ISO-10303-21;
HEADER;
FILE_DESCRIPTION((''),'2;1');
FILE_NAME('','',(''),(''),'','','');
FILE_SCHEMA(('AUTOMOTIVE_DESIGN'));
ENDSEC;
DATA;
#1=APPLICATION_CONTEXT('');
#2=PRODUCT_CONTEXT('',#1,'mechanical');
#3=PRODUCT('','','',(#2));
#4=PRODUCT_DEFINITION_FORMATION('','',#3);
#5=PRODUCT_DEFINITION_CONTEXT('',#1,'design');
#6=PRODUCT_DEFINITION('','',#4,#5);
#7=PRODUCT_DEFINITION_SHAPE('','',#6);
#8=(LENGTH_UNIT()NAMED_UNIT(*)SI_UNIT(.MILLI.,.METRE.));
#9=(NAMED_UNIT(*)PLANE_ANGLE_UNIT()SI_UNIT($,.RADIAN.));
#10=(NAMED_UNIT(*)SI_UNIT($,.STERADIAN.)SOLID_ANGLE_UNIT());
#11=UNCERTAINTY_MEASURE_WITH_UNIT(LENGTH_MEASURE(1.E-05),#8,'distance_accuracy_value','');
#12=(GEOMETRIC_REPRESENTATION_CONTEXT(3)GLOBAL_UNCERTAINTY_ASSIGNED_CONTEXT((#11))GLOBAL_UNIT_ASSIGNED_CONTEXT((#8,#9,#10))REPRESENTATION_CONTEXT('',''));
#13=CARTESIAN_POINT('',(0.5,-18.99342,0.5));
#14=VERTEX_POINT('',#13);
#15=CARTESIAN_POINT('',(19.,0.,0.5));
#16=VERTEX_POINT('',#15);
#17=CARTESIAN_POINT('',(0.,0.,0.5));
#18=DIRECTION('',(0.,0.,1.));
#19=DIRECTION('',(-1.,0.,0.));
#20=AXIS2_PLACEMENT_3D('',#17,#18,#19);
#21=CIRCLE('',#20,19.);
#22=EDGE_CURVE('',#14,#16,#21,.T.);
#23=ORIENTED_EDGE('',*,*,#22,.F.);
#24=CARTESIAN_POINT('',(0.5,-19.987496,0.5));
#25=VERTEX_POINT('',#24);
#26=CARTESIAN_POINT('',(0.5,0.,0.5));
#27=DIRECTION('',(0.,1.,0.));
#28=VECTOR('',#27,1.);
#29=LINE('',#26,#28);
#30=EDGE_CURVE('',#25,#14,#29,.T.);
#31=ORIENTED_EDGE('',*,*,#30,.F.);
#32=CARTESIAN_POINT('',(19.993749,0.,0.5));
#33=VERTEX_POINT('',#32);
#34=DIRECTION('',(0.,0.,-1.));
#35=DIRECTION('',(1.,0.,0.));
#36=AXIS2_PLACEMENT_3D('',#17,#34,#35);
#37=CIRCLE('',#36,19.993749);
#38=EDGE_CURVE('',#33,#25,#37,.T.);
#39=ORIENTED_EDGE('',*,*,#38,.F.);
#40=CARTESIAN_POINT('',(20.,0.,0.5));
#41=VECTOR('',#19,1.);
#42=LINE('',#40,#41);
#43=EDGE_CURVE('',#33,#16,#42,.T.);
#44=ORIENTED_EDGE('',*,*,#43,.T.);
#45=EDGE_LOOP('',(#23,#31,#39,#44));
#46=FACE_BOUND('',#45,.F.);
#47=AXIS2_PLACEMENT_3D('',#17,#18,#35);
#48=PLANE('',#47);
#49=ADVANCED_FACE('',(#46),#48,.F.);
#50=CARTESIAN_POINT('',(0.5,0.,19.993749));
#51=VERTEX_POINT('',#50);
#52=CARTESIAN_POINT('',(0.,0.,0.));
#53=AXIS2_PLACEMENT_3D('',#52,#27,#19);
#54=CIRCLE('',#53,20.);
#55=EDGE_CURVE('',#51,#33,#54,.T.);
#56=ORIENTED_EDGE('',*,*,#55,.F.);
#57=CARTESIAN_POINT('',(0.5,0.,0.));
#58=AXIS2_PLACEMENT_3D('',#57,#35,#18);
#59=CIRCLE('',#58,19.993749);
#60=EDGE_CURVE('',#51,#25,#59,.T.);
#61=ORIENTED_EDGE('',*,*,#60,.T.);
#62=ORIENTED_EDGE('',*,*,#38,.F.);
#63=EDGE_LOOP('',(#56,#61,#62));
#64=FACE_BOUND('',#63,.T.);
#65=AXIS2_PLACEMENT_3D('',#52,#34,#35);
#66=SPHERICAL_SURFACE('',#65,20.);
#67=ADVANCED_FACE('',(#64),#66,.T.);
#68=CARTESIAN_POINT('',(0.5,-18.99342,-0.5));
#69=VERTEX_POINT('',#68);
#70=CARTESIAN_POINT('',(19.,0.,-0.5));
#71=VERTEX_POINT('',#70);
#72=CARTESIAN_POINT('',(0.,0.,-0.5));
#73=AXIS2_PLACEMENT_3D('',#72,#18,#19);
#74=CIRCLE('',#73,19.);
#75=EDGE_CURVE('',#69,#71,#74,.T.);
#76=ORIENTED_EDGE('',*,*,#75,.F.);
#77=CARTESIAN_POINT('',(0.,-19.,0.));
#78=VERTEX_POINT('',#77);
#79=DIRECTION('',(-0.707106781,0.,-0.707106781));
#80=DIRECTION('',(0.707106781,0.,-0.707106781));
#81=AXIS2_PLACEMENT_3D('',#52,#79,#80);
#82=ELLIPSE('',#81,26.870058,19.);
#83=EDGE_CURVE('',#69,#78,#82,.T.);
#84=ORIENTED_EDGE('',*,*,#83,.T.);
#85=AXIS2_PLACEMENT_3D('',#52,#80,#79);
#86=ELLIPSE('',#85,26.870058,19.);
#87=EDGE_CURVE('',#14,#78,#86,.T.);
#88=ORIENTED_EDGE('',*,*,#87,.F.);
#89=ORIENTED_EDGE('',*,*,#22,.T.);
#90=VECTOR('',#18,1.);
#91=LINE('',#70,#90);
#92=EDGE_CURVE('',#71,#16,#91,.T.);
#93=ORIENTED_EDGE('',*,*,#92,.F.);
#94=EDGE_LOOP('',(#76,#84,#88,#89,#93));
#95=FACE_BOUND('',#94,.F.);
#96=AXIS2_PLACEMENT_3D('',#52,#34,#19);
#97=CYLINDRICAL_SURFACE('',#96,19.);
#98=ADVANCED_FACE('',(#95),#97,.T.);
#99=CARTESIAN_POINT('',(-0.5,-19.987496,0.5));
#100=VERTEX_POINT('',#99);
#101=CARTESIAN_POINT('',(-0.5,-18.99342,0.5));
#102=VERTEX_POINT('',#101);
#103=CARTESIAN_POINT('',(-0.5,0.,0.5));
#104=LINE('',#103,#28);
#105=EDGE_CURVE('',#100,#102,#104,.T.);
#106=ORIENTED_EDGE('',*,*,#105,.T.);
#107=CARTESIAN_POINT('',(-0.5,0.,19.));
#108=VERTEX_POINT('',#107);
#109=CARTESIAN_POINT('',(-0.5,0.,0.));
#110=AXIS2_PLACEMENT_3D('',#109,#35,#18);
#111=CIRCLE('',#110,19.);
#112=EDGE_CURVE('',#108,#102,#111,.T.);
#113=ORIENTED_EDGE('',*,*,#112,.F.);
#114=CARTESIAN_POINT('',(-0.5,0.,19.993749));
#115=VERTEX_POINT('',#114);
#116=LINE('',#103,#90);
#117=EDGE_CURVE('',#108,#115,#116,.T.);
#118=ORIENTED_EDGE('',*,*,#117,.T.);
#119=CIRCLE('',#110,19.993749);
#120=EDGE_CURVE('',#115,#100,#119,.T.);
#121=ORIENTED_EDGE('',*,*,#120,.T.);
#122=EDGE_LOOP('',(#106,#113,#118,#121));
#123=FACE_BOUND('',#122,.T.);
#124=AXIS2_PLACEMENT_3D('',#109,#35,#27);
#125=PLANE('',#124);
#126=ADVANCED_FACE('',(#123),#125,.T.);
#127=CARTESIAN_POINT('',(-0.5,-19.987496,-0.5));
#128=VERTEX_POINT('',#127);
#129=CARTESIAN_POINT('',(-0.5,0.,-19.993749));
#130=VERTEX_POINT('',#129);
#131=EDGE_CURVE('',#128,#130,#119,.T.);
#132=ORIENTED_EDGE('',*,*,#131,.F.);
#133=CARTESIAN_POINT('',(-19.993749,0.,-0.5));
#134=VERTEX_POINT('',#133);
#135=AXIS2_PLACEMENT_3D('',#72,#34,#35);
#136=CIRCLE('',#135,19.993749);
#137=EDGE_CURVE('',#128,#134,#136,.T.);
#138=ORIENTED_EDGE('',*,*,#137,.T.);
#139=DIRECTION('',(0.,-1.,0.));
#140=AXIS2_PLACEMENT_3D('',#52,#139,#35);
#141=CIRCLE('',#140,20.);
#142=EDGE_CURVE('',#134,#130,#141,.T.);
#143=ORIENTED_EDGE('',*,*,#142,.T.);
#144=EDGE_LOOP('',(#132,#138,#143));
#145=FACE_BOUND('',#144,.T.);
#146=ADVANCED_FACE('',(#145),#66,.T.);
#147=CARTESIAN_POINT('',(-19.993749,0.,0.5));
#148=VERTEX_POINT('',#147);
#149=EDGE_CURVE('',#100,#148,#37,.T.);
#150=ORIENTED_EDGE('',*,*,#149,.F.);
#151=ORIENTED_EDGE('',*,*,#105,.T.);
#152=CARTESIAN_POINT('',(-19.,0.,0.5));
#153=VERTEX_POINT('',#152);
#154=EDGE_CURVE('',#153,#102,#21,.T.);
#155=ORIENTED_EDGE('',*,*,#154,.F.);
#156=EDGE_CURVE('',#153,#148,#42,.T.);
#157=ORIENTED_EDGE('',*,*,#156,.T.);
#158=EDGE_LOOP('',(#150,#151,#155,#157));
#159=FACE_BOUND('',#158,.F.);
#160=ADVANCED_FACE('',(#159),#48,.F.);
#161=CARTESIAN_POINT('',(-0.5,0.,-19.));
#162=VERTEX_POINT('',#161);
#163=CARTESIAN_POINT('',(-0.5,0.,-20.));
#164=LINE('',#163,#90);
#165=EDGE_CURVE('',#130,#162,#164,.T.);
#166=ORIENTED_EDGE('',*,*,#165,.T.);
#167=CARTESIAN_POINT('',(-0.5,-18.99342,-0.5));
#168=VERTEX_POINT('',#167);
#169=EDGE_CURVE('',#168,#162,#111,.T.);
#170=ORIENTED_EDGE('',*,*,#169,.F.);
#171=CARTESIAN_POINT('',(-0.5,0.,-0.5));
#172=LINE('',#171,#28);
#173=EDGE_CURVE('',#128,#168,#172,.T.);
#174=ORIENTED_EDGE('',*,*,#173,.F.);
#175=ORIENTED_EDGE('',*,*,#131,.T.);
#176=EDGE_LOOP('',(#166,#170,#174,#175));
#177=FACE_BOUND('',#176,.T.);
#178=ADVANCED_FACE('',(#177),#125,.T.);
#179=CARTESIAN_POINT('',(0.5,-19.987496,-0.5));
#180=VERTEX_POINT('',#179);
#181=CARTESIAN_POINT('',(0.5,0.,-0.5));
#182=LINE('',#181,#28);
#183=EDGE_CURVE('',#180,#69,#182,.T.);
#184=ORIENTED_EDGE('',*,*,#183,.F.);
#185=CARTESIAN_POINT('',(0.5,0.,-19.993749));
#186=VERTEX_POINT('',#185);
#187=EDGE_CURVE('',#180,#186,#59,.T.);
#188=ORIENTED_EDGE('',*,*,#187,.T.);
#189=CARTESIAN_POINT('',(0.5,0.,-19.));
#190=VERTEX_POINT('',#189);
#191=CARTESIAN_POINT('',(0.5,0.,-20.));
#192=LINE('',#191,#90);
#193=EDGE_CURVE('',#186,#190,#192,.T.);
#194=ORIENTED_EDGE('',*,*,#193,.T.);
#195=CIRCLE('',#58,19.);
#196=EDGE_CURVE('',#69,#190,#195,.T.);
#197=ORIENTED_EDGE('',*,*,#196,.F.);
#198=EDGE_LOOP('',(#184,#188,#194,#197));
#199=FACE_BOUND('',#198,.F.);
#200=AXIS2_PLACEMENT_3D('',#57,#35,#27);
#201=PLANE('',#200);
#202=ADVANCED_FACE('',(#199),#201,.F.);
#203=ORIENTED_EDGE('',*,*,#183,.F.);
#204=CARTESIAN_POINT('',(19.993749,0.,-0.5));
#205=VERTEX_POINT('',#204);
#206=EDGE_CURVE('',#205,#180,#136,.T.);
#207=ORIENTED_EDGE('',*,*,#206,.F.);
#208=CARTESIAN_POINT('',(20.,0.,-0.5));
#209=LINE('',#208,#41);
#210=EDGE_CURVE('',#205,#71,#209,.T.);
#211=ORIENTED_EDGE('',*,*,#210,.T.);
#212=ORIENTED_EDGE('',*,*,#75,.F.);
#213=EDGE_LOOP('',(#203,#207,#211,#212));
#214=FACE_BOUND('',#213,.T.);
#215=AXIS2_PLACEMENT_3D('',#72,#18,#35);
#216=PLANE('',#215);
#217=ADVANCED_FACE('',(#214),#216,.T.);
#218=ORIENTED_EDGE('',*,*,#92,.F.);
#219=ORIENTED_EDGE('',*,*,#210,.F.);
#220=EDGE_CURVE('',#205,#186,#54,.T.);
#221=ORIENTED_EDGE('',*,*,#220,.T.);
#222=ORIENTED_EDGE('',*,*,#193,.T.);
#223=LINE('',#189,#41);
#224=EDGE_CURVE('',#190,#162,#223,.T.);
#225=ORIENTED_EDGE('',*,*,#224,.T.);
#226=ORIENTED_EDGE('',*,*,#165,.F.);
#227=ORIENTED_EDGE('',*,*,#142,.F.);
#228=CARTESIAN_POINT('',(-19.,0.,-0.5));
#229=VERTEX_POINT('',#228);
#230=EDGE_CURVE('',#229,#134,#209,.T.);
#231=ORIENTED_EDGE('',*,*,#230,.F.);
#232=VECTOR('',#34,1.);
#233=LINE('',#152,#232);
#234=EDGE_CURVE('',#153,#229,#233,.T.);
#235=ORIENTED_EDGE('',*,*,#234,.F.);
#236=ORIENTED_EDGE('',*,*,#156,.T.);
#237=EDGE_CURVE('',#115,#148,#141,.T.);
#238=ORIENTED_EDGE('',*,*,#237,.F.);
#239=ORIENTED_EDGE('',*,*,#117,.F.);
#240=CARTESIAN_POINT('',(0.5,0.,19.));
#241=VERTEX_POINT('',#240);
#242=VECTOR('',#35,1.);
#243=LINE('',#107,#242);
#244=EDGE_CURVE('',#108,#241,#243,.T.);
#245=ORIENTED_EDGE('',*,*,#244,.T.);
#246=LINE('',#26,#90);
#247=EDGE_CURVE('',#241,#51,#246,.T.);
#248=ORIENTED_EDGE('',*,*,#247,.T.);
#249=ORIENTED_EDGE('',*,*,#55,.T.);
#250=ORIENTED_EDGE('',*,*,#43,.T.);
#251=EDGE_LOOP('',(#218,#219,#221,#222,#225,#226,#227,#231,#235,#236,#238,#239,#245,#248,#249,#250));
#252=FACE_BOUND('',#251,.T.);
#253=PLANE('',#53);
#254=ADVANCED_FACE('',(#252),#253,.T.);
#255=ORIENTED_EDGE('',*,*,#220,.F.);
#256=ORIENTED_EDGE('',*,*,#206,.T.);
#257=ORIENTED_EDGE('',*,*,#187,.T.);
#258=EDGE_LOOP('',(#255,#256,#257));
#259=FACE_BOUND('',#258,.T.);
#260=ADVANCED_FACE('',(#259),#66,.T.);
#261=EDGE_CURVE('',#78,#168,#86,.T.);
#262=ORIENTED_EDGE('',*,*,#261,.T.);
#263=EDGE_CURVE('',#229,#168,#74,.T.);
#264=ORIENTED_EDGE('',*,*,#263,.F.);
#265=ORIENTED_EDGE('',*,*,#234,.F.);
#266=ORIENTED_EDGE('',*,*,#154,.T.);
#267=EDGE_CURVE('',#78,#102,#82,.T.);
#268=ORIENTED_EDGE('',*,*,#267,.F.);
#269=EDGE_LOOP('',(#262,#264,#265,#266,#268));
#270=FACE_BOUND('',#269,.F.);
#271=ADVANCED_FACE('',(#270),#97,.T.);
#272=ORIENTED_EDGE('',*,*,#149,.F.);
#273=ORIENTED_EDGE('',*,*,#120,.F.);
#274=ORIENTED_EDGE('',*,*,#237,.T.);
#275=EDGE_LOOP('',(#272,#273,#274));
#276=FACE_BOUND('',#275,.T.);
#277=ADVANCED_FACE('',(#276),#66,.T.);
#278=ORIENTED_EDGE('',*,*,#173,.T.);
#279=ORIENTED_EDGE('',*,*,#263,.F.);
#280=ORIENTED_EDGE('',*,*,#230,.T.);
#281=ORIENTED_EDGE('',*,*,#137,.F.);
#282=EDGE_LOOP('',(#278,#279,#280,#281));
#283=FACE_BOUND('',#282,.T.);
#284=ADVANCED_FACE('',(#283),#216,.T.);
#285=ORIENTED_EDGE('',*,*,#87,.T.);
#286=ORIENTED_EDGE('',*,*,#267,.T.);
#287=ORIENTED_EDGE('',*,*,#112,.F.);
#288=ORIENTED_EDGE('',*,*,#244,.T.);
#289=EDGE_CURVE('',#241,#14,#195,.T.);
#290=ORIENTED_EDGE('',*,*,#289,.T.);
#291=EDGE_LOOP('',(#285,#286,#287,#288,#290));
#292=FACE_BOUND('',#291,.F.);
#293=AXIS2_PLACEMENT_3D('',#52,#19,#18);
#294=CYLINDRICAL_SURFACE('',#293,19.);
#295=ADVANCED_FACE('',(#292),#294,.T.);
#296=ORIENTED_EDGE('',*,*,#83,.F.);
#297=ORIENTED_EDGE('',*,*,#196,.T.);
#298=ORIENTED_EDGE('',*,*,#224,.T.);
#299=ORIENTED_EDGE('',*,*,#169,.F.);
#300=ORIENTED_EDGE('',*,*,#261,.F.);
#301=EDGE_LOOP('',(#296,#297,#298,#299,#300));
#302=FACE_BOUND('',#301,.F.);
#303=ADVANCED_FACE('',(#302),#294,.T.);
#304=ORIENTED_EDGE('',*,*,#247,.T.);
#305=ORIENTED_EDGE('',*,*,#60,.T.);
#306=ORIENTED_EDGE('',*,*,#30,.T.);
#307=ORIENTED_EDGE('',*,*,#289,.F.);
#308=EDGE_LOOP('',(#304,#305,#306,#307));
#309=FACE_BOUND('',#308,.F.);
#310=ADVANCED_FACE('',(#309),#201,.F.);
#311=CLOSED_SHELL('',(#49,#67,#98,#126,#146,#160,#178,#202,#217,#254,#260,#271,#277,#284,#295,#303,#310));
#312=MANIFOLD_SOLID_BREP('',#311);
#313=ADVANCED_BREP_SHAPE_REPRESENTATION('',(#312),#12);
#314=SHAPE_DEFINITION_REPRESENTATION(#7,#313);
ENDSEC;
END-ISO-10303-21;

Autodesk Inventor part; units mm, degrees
ref_plane "YZ Plane" through (0, 0, 0) normal (1, 0, 0) x (0, 1, 0)
ref_plane "XZ Plane" through (0, 0, 0) normal (0, 1, 0) x (-1, 0, 0)
ref_plane "XY Plane" through (0, 0, 0) normal (0, 0, 1) x (1, 0, 0)
sketch "草圖1" plane through (0, 0, 0) normal (0, 1, 0) x (-1, 0, 0)
  circle A0 centre (0, 0) radius 20
  line L0 (0, 20) -> (0, -20)
  dimension "d0" = 40
revolve "迴轉1" add sketch "草圖1" angle 180 about axis through (0, 0, 20) along (0, 0, -1) picked at (-3.0982, -5.903) contours L0 A0
sketch "草圖2" plane through (0, 0, 0) normal (0, 0, 1) x (1, 0, 0)
  line L0 (20, 0) -> (-20, 0) projected
  arc A0 (-20, 0) -> (20, 0) centre (0, 0) ccw
  arc A1 (-20, 0) -> (20, 0) centre (0, 0) ccw projected
  arc A2 (-19, 0) -> (19, 0) centre (0, 0) ccw
  line L1 (-19, 0) -> (-20, 0)
  line L2 (19, 0) -> (20, 0)
  dimension "d2" = 1
extrude "擠出1" cut sketch "草圖2" along normal mid plane 1 contours A0 L0 A2
sketch "草圖3" plane through (0, 0, 0) normal (1, 0, 0) x (0, 1, 0)
  line L0 (0, 0.5) -> (0, 20) projected
  line L1 (0, -20) -> (0, -0.5) projected
  arc A0 (0, 19) -> (0, -19) centre (0, 0) ccw
  arc A1 (0, 20) -> (0, -20) centre (0, 0) ccw
  line L2 (0, 20) -> (0, 19)
  line L3 (0, -20) -> (0, -19)
  dimension "d5" = 1
extrude "擠出2" cut sketch "草圖3" along normal mid plane 1
properties part number "屋2 base"
